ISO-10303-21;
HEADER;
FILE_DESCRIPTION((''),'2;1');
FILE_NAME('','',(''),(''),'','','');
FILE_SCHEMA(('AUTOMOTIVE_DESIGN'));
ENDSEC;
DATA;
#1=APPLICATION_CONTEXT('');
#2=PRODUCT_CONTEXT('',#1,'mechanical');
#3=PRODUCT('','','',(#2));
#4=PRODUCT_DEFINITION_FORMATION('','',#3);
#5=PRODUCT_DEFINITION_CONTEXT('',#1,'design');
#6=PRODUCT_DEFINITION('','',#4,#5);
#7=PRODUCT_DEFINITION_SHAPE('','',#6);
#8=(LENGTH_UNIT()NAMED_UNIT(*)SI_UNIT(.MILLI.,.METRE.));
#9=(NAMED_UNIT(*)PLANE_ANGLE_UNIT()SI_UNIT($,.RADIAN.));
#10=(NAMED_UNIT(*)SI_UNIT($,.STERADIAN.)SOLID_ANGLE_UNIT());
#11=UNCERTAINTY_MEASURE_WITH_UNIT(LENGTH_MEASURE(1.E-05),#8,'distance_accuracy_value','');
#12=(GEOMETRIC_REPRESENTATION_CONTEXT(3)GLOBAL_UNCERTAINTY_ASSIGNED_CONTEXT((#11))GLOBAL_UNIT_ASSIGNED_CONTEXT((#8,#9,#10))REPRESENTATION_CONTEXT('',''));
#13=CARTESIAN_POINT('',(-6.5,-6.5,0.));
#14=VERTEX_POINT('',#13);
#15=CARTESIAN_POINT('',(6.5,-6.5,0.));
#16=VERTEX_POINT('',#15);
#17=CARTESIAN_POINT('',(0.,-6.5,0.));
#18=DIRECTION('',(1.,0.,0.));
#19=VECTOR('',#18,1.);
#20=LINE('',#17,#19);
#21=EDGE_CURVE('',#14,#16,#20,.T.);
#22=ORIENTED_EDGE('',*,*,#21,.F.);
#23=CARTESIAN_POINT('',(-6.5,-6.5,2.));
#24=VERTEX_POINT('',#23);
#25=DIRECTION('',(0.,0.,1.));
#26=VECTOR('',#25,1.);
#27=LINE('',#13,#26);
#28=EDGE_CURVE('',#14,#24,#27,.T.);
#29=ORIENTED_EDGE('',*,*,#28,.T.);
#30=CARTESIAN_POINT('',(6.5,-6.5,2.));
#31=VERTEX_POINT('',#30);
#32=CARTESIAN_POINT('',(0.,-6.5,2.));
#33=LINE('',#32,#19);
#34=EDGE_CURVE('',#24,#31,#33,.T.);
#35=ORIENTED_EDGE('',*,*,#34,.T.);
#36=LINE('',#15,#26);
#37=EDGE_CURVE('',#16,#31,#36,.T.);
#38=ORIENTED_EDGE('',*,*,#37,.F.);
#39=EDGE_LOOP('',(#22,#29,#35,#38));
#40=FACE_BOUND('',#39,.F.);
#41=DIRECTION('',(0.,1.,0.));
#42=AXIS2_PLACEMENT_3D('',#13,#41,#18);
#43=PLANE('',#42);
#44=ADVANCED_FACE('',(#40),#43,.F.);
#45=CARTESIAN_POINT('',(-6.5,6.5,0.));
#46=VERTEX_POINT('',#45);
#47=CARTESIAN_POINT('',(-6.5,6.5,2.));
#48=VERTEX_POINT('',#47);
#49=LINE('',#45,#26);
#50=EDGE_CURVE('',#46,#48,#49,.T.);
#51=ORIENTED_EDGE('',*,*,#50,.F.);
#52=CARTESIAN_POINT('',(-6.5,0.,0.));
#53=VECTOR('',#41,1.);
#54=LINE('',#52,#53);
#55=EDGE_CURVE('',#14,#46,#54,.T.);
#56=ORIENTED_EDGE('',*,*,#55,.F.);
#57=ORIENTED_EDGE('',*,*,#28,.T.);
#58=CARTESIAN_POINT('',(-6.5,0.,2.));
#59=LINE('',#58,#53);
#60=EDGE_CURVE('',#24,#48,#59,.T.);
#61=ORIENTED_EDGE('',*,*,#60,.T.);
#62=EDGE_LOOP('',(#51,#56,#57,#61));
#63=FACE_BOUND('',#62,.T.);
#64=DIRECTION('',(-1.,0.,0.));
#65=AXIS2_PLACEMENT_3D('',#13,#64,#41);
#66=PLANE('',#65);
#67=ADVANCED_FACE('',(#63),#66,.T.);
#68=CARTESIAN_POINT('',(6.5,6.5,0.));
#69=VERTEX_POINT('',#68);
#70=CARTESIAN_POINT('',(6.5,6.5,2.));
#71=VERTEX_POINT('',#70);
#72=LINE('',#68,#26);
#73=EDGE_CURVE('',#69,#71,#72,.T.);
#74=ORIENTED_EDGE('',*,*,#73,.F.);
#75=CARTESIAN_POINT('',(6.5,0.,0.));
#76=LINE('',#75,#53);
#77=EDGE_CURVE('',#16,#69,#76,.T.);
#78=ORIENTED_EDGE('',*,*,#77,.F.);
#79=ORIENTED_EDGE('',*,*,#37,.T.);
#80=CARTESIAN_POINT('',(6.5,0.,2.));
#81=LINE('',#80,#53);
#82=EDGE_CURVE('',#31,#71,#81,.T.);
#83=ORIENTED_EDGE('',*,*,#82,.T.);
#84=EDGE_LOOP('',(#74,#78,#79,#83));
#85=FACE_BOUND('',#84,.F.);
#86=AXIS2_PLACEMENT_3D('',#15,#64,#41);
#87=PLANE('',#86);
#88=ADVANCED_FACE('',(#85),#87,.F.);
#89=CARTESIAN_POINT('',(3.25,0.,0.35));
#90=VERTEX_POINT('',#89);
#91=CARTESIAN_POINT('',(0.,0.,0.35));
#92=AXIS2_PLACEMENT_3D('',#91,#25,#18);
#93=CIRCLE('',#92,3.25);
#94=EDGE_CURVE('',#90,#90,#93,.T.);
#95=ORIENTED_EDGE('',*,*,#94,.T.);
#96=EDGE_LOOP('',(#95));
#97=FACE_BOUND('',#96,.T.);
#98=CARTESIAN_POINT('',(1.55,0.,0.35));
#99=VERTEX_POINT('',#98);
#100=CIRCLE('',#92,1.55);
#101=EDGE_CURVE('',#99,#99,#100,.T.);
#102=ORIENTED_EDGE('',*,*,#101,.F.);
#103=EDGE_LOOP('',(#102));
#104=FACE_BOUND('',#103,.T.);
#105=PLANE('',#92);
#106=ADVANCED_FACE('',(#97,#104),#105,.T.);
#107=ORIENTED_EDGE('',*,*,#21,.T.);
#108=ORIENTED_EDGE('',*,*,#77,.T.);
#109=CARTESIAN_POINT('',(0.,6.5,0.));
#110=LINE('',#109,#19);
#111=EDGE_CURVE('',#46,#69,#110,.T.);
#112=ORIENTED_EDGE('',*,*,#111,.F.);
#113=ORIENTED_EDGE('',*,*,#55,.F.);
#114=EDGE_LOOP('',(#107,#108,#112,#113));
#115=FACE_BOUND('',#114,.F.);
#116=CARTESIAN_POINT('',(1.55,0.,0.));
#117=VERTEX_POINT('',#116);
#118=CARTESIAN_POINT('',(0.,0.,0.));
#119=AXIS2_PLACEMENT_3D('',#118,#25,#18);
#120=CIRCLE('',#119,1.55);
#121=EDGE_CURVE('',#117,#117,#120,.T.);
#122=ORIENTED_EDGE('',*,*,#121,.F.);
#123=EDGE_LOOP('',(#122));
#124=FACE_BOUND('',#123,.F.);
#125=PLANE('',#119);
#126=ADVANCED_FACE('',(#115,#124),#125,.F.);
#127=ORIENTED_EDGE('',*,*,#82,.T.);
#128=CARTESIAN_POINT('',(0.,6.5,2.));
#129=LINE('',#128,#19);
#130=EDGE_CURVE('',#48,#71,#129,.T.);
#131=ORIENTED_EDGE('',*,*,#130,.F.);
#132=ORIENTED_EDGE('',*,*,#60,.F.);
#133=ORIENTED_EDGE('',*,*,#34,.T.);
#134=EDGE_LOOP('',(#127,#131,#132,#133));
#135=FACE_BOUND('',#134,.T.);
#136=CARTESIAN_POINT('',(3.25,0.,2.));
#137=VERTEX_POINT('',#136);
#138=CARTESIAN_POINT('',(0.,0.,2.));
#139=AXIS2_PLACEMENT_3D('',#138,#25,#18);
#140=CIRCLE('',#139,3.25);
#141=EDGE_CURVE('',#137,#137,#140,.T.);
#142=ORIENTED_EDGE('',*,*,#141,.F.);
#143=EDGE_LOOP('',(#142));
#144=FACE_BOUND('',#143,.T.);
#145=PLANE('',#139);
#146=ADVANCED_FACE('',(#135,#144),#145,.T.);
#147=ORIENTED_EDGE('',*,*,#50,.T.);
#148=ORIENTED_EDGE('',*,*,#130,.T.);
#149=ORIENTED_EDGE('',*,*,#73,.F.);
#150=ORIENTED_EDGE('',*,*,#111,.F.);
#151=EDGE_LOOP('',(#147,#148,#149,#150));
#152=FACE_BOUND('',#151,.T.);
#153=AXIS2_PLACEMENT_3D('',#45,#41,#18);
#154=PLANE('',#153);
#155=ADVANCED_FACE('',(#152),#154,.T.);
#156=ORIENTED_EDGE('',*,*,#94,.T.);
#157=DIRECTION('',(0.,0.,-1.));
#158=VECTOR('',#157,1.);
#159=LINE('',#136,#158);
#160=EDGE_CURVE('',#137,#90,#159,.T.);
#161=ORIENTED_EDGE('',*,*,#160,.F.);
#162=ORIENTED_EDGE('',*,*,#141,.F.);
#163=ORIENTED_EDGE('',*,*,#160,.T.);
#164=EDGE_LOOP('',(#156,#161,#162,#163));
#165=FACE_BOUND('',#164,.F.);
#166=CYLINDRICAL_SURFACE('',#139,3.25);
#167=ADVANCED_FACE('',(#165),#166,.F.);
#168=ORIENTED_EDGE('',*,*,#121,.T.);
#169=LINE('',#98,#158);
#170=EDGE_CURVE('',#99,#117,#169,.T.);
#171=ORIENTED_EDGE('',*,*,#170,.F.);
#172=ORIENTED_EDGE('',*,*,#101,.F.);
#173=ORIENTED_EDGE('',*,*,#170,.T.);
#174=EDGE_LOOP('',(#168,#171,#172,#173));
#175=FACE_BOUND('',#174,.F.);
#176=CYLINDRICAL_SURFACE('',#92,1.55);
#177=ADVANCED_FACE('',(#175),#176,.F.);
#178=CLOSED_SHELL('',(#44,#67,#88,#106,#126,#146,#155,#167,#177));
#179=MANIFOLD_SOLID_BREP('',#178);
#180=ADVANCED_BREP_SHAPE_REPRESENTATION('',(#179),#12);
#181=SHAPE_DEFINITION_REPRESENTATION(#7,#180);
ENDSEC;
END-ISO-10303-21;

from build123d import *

# Parameters (mm, degrees)
F0_W     = 13
F0_H     = 13
F1_DEPTH = 2
F2_R     = 3.25
F3_DEPTH = 1.65
F4_R     = 1.55
F5_DEPTH = 1


with BuildPart() as f1:
    # F0 (on Top) → F1 (new body)
    with BuildSketch(Plane.XY):
        Rectangle(F0_W, F0_H)
    extrude(amount=F1_DEPTH)

    # F2 (on face) → F3 (cut)
    with BuildSketch(Plane.XY.offset(2)):
        Circle(F2_R)
    extrude(amount=-F3_DEPTH, mode=Mode.SUBTRACT)

    # F4 (on face) → F5 (cut)
    with BuildSketch(Plane.XY.offset(0.35)):
        Circle(F4_R)
    extrude(amount=-F5_DEPTH, mode=Mode.SUBTRACT)


solid = f1.part
